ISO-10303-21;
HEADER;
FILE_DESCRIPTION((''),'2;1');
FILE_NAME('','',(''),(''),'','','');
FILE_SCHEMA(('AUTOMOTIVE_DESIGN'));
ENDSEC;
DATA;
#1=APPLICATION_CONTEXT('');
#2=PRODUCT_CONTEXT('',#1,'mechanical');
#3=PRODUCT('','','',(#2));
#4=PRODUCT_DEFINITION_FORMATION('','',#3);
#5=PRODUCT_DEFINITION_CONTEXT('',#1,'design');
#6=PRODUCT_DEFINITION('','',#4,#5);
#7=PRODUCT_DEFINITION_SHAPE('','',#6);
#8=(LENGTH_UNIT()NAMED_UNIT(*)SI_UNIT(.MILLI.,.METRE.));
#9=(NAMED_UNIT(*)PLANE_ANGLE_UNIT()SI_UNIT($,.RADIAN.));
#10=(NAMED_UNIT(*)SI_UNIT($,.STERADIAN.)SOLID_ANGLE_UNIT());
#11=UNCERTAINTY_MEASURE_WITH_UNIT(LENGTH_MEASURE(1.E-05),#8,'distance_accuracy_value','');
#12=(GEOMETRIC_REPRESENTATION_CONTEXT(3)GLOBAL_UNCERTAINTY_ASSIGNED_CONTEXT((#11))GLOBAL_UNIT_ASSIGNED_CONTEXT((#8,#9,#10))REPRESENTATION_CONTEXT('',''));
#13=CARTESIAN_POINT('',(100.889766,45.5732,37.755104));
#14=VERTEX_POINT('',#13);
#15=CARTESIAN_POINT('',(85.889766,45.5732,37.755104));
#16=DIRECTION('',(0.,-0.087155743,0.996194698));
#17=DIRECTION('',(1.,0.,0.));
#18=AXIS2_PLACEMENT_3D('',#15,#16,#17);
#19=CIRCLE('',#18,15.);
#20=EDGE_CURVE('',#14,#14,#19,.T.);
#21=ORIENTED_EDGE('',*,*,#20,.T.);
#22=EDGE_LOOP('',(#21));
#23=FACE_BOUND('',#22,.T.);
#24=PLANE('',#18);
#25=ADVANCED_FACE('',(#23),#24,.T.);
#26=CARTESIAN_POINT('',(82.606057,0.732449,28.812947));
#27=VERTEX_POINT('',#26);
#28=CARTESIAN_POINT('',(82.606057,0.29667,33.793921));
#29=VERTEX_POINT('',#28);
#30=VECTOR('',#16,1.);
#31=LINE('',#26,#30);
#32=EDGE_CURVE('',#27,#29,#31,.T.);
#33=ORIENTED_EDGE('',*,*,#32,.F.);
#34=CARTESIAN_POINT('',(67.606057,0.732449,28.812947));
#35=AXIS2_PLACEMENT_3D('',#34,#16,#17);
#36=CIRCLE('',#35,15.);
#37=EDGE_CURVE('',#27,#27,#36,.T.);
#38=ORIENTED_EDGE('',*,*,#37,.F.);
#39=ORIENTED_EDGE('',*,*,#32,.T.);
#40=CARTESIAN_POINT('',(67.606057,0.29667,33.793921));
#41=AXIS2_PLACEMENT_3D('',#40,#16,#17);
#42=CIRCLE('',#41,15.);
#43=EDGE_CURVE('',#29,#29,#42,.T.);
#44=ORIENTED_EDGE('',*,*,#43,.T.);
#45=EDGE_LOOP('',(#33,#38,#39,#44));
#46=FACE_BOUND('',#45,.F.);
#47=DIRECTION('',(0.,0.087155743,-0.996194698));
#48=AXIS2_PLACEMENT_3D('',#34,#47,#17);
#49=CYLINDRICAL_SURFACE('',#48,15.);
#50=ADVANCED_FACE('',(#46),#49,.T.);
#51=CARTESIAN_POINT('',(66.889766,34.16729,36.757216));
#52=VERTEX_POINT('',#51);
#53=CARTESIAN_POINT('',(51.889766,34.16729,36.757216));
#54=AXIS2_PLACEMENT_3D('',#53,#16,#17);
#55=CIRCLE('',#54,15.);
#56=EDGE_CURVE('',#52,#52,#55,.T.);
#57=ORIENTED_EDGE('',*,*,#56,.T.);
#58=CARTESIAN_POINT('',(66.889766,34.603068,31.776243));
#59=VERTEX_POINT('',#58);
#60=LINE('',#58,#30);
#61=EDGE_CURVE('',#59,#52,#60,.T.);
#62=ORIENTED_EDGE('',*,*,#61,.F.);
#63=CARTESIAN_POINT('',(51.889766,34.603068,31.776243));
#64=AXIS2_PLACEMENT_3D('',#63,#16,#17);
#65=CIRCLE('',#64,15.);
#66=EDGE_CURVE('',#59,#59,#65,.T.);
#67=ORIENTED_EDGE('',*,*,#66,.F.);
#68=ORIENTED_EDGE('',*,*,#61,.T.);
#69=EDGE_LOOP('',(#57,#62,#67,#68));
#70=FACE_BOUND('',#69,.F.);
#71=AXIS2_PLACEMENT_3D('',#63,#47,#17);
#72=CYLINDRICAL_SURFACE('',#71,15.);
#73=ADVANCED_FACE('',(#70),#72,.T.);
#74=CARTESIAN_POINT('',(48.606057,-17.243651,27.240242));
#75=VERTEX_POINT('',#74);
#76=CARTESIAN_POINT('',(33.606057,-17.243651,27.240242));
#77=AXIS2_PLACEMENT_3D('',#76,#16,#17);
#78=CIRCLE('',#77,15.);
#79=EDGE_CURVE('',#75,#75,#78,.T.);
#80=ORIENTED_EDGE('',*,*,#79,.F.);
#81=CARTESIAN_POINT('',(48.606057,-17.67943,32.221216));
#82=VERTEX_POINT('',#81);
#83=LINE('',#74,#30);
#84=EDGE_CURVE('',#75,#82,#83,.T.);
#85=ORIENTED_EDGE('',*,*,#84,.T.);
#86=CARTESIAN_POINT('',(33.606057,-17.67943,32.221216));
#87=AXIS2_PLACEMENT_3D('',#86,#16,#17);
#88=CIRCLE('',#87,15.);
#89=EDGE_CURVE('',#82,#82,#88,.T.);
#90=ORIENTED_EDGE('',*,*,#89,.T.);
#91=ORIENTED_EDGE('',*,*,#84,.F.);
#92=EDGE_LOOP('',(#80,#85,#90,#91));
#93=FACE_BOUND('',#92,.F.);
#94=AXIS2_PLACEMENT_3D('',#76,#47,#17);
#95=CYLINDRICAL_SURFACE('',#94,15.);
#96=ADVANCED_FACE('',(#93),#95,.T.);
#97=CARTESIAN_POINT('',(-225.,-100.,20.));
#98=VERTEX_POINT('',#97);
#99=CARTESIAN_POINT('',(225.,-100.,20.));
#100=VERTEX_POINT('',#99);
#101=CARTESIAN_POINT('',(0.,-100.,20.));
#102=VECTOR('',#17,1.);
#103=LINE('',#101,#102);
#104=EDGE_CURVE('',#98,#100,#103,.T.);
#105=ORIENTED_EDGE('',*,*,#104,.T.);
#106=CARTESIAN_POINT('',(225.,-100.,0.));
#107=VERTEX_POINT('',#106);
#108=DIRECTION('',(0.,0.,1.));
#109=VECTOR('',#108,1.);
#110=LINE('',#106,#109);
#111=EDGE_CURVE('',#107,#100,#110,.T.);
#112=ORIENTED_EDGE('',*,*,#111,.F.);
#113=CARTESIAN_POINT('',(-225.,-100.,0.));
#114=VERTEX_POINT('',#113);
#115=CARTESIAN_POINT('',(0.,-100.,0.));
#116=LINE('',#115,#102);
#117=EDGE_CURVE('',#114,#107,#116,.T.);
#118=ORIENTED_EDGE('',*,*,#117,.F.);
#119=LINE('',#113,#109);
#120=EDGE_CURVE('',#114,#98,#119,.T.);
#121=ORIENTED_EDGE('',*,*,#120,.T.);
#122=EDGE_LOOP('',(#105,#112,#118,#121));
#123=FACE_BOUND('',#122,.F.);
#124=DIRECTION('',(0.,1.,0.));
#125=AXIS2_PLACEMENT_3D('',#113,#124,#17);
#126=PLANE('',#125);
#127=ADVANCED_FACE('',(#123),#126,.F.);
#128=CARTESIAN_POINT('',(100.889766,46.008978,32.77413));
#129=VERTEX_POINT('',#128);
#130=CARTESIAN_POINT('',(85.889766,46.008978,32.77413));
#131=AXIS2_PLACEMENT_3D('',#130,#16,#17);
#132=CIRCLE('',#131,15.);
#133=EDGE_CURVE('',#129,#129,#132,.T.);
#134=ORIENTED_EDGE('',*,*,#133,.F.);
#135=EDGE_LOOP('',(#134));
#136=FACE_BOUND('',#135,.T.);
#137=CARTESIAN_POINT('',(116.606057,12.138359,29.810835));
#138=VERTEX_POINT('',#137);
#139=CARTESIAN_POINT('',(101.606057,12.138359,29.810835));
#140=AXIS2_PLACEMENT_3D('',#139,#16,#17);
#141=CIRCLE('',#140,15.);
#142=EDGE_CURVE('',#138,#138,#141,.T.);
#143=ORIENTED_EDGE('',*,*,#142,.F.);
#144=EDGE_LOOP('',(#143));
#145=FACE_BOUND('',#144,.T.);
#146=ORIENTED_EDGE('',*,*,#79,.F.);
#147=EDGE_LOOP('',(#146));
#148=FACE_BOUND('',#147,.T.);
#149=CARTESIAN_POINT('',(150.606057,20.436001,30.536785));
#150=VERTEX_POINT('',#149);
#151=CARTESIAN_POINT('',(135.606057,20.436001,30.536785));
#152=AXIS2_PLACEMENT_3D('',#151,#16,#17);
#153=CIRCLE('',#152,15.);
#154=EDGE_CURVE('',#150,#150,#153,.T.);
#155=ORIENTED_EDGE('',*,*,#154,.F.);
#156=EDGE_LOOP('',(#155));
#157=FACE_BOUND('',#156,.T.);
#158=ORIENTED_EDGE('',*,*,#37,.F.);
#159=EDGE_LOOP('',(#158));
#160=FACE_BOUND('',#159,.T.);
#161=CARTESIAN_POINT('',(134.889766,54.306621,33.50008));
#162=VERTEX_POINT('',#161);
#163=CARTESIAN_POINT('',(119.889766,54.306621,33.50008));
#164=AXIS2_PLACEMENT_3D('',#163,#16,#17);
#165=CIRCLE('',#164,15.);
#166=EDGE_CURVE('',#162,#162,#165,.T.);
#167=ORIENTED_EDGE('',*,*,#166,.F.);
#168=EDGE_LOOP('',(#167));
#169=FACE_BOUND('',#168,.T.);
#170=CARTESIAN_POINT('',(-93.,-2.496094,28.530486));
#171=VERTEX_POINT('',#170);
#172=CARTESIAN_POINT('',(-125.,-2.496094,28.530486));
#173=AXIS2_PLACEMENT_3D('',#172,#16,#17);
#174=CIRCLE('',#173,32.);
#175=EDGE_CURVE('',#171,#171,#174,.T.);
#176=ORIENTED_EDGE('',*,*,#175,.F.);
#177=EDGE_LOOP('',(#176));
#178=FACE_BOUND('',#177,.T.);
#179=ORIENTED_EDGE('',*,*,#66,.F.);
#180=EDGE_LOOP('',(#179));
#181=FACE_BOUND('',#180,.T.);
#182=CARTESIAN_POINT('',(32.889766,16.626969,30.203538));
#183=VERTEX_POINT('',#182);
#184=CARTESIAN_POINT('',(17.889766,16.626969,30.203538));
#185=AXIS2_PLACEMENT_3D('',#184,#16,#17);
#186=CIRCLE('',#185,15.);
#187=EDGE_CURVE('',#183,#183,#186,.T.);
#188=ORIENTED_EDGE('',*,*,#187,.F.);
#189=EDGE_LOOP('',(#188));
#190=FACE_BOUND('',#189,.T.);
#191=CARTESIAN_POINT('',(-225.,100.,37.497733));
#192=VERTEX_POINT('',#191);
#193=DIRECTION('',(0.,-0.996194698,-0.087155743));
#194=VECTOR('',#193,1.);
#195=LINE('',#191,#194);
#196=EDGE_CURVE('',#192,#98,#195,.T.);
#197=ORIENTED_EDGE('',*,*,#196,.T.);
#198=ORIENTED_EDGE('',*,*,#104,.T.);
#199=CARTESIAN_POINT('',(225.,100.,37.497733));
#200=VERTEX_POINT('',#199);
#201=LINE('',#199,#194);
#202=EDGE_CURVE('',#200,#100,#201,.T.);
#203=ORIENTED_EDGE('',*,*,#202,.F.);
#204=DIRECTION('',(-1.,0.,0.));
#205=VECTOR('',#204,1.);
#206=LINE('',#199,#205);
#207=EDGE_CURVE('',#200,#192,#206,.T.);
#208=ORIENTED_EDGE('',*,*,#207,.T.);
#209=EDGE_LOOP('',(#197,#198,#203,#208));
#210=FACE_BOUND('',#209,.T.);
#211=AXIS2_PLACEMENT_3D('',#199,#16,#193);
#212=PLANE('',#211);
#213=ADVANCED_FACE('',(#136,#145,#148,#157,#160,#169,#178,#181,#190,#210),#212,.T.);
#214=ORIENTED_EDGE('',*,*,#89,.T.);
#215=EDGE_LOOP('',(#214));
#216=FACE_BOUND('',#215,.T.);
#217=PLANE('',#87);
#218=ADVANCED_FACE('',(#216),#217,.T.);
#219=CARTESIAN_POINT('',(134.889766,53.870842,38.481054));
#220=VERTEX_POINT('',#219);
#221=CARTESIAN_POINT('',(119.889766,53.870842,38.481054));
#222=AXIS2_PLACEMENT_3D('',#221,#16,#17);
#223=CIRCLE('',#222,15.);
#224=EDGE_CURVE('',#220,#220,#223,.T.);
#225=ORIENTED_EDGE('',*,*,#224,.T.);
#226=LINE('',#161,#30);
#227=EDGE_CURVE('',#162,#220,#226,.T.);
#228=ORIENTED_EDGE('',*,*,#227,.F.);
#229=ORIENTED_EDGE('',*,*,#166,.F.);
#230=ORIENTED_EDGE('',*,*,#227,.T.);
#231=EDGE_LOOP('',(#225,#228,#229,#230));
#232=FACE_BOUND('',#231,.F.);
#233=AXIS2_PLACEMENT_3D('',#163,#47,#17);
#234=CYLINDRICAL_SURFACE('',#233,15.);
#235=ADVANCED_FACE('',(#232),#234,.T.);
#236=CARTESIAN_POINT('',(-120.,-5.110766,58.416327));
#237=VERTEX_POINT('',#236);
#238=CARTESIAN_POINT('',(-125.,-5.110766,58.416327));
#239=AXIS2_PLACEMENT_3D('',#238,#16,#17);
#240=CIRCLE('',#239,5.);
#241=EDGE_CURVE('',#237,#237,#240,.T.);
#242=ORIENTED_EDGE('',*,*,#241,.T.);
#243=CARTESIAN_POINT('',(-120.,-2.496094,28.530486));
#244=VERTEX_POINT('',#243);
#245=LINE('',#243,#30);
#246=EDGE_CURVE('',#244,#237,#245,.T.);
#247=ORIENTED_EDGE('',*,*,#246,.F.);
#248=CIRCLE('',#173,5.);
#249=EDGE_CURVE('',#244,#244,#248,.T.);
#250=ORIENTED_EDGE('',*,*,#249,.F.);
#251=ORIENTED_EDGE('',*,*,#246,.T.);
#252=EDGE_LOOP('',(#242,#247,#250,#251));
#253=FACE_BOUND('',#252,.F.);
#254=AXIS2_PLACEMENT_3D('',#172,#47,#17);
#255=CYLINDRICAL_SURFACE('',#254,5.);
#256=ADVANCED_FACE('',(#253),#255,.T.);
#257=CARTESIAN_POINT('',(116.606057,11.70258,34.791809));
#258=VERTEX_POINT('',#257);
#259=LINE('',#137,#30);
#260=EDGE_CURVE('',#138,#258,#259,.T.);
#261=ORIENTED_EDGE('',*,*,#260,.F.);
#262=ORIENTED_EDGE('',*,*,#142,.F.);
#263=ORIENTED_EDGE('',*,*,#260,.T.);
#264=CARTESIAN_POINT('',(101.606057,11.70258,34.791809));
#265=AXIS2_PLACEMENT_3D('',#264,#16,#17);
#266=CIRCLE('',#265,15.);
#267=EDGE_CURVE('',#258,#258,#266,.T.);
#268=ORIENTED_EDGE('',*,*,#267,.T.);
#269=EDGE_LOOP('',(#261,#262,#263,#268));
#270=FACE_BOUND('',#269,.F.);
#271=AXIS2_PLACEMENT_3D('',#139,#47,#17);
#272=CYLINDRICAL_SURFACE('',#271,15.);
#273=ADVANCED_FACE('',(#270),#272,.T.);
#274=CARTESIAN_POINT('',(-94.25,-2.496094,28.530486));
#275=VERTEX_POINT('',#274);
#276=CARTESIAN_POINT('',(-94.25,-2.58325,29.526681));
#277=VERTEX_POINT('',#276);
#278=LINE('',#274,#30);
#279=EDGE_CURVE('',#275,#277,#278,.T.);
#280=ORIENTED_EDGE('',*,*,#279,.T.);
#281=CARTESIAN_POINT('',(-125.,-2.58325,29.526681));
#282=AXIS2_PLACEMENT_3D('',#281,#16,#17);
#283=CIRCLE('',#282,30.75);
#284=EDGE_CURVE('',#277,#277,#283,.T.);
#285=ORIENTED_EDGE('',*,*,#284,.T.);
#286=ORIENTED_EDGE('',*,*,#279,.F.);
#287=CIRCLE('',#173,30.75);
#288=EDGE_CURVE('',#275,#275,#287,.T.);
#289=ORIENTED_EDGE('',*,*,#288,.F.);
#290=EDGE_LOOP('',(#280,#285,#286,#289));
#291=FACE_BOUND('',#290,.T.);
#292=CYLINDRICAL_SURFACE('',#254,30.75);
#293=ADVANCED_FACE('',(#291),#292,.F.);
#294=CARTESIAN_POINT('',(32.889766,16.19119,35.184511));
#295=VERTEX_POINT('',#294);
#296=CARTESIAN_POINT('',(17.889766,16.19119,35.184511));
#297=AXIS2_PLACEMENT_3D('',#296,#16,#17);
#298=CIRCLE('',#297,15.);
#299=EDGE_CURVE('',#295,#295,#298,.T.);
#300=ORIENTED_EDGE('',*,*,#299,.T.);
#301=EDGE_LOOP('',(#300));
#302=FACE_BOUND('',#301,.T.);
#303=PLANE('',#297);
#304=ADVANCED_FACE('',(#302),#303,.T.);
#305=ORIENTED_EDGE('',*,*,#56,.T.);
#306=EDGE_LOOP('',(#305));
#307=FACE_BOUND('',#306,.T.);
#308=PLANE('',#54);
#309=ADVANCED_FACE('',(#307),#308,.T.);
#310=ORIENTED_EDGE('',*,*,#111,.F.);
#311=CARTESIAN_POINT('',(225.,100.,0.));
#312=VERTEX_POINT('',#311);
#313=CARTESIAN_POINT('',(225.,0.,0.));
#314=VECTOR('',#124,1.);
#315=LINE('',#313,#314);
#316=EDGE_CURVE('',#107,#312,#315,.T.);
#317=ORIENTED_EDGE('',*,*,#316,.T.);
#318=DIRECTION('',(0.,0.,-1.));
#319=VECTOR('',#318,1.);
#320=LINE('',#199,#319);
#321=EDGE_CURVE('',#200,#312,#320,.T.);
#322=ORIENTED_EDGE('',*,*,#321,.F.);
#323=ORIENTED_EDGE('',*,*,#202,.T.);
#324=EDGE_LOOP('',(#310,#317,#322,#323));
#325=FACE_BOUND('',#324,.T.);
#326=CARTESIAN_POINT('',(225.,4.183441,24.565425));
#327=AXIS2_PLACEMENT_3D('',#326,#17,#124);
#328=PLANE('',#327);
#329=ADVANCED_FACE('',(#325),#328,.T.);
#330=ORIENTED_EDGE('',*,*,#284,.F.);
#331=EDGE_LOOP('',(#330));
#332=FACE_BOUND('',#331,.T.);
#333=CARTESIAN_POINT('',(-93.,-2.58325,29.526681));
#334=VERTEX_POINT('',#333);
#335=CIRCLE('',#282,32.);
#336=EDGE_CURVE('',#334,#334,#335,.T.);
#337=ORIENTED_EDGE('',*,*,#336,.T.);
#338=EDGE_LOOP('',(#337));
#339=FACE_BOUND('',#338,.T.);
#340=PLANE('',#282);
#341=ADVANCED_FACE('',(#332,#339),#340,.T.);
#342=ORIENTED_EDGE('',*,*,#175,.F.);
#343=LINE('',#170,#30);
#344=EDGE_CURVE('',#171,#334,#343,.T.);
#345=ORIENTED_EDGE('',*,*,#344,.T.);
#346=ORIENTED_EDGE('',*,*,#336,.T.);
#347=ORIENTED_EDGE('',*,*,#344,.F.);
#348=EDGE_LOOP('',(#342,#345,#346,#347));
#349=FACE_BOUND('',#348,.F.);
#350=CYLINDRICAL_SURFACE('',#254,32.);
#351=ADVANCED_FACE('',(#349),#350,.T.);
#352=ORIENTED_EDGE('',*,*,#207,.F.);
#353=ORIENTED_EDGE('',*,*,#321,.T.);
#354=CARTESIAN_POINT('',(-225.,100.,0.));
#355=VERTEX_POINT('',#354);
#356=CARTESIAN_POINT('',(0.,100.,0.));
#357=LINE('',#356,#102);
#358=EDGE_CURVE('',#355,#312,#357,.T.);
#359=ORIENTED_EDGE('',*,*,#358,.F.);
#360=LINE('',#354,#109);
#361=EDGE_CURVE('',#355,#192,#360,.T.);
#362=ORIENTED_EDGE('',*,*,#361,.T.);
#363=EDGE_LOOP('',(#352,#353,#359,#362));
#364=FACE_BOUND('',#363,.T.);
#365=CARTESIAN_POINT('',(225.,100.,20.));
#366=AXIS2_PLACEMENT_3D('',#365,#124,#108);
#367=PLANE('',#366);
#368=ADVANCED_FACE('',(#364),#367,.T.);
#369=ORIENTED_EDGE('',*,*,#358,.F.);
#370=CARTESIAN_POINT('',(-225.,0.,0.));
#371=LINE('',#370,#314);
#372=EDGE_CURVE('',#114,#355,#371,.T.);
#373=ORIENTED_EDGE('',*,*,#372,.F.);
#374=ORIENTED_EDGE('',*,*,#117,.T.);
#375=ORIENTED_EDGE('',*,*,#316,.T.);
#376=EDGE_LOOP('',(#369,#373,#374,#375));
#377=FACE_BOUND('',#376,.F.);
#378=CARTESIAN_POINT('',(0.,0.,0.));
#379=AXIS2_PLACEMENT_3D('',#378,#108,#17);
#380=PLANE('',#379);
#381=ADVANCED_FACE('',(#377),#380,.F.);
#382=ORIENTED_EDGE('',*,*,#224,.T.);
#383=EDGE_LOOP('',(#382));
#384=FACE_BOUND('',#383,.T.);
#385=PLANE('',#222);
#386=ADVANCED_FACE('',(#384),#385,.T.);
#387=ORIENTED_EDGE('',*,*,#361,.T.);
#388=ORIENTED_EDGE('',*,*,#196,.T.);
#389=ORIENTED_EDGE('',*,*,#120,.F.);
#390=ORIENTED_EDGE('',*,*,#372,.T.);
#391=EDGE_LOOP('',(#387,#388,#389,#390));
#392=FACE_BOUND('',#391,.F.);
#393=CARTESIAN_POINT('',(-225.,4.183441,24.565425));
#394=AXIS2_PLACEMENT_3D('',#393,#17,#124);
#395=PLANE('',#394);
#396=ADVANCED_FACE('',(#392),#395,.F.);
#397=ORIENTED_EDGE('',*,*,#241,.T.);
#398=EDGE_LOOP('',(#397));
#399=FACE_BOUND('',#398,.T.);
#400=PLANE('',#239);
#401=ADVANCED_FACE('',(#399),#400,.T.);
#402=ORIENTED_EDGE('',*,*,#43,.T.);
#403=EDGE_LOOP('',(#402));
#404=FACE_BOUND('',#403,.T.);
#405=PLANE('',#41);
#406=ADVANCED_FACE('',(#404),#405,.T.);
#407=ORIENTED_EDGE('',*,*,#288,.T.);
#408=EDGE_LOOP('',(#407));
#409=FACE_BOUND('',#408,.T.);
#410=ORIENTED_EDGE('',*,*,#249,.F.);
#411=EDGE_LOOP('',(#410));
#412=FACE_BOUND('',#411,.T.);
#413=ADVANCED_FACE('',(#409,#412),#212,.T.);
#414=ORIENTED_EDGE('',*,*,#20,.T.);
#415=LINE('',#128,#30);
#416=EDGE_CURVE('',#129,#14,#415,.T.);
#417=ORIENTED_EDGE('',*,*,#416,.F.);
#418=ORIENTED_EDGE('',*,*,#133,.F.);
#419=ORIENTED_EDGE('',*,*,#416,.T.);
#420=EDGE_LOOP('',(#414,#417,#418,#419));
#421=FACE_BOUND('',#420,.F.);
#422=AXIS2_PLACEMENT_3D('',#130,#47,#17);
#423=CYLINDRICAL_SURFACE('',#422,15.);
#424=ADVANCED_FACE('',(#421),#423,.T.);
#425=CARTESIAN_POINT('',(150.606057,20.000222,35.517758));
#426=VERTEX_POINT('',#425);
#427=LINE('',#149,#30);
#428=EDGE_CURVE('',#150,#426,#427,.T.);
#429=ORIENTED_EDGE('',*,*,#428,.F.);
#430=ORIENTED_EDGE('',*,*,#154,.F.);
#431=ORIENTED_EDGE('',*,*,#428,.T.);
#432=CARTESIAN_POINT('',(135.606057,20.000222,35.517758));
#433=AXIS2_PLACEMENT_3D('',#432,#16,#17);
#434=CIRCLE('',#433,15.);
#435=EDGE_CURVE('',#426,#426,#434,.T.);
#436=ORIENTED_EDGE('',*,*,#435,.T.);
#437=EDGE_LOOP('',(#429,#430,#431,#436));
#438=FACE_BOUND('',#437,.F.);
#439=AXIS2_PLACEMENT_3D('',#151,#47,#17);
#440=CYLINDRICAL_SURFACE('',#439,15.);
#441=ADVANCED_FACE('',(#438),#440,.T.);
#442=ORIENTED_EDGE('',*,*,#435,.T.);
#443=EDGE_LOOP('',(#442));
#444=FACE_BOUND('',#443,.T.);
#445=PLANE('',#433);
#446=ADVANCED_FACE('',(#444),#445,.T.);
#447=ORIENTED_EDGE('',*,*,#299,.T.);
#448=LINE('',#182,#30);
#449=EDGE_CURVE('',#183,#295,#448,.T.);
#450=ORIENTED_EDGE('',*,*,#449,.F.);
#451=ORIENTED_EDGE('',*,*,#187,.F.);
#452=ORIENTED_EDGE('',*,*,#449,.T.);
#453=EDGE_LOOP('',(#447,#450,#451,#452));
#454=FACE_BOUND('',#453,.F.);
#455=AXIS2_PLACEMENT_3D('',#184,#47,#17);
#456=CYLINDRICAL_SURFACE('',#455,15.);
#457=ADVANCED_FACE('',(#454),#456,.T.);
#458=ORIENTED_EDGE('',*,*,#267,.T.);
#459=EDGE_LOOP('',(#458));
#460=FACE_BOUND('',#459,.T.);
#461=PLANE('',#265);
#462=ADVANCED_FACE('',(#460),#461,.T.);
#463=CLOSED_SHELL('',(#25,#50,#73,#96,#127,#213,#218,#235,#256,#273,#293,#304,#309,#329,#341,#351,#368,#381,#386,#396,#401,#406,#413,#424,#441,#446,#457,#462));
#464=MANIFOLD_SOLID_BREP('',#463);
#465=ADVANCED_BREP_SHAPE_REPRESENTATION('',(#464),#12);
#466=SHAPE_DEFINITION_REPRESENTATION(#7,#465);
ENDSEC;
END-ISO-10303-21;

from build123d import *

# Parameters (mm, degrees)
F0_W     = 450
F0_H     = 200
F1_DEPTH = 20
F3_DEPTH = 450
F4_R     = 15
F5_DEPTH = 5
F4_R_2   = 32
F4_R_3   = 30.75
F6_DEPTH = 1
F4_R_4   = 5
F7_DEPTH = 30


with BuildPart() as f1:
    # F0 (on Top) → F1 (new body)
    with BuildSketch(Plane.XY):
        Rectangle(F0_W, F0_H)
    extrude(amount=F1_DEPTH)

    # F2 (on face) → F3 (join)
    with BuildSketch(Plane.YZ.offset(225)):
        Polygon((100, 37.4977327052), (-100, 20), (100, 20), align=None)
    extrude(amount=-F3_DEPTH)

    # F4 (on face) → F5 (join)
    with BuildSketch(Plane(origin=(0, -2.4960941261, 28.5304864135), x_dir=(1, 0, 0), z_dir=(0, -0.0871557427, 0.9961946981))):
        with Locations((17.8897663927, 19.1961097517)):
            Circle(F4_R)
        with Locations((33.6060567503, -14.8038902483)):
            Circle(F4_R)
        with Locations((51.8897663927, 37.2408752097)):
            Circle(F4_R)
        with Locations((67.6060567503, 3.2408752097)):
            Circle(F4_R)
        with Locations((85.8897663927, 48.6903541087)):
            Circle(F4_R)
        with Locations((101.6060567503, 14.6903541087)):
            Circle(F4_R)
        with Locations((119.8897663927, 57.0196919143)):
            Circle(F4_R)
        with Locations((135.6060567503, 23.0196919143)):
            Circle(F4_R)
    extrude(amount=F5_DEPTH)

    # F4 (on face) → F6 (join)
    with BuildSketch(Plane(origin=(0, -2.4960941261, 28.5304864135), x_dir=(1, 0, 0), z_dir=(0, -0.0871557427, 0.9961946981))):
        with Locations((-125, 0)):
            Circle(F4_R_2)
        with Locations((-125, 0)):
            Circle(F4_R_3, mode=Mode.SUBTRACT)
    extrude(amount=F6_DEPTH)

    # F4 (on face) → F7 (join)
    with BuildSketch(Plane(origin=(0, -2.4960941261, 28.5304864135), x_dir=(1, 0, 0), z_dir=(0, -0.0871557427, 0.9961946981))):
        with Locations((-125, 0)):
            Circle(F4_R_4)
    extrude(amount=F7_DEPTH)


solid = f1.part
